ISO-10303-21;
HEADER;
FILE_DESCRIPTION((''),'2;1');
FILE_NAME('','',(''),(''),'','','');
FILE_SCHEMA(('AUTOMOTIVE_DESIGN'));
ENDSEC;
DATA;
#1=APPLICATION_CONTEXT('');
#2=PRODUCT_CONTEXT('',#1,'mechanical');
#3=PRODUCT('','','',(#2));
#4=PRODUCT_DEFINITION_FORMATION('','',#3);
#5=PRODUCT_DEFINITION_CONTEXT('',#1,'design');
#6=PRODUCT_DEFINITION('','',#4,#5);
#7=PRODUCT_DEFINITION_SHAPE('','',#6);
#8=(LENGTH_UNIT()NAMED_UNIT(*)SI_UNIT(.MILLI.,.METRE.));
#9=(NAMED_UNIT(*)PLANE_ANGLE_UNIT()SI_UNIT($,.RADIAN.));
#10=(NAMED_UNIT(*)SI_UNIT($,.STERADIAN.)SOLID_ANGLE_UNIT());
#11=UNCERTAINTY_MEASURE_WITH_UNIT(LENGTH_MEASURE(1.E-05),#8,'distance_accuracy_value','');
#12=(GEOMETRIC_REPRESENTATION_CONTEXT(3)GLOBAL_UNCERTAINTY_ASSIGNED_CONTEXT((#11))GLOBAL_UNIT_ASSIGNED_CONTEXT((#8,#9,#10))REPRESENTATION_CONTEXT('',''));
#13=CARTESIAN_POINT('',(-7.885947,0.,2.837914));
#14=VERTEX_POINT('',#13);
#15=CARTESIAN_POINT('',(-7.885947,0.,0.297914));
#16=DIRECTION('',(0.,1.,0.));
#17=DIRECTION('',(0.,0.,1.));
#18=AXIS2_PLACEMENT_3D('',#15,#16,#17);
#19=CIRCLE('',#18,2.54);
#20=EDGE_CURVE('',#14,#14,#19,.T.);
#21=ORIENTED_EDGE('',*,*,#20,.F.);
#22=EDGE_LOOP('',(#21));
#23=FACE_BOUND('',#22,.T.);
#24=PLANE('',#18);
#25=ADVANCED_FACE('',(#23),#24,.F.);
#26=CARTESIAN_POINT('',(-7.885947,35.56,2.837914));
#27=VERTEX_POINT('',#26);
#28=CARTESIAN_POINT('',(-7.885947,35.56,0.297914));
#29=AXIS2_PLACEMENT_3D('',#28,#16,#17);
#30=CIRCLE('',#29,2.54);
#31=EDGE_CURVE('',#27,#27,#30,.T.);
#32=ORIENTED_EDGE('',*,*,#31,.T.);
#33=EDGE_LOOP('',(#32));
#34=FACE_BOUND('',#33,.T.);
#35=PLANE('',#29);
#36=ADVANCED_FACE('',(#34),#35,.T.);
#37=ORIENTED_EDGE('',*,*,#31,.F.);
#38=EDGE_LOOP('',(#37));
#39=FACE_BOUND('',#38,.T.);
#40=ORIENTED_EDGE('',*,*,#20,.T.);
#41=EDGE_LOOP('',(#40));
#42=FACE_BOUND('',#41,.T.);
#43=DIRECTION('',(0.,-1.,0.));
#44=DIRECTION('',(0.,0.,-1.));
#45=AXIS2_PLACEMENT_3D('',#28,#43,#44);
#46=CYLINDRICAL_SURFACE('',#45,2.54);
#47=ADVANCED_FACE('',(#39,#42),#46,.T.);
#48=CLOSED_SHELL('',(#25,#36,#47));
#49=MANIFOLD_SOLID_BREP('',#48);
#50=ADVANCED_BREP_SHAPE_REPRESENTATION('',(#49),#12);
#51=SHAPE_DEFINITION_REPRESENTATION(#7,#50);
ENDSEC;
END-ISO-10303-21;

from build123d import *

# Parameters (mm, degrees)
SKETCH1_R           = 2.54
BOSS_EXTRUDE1_DEPTH = 35.56


with BuildPart() as part:
    # Sketch1 → Boss-Extrude1 (new body)
    with BuildSketch(Plane(origin=(0, 0, 0), x_dir=(1, 0, 0), z_dir=(0, 1, 0))):
        with Locations((-7.885947401, -0.297913568)):
            Circle(SKETCH1_R)
    extrude(amount=BOSS_EXTRUDE1_DEPTH)


solid = part.part
